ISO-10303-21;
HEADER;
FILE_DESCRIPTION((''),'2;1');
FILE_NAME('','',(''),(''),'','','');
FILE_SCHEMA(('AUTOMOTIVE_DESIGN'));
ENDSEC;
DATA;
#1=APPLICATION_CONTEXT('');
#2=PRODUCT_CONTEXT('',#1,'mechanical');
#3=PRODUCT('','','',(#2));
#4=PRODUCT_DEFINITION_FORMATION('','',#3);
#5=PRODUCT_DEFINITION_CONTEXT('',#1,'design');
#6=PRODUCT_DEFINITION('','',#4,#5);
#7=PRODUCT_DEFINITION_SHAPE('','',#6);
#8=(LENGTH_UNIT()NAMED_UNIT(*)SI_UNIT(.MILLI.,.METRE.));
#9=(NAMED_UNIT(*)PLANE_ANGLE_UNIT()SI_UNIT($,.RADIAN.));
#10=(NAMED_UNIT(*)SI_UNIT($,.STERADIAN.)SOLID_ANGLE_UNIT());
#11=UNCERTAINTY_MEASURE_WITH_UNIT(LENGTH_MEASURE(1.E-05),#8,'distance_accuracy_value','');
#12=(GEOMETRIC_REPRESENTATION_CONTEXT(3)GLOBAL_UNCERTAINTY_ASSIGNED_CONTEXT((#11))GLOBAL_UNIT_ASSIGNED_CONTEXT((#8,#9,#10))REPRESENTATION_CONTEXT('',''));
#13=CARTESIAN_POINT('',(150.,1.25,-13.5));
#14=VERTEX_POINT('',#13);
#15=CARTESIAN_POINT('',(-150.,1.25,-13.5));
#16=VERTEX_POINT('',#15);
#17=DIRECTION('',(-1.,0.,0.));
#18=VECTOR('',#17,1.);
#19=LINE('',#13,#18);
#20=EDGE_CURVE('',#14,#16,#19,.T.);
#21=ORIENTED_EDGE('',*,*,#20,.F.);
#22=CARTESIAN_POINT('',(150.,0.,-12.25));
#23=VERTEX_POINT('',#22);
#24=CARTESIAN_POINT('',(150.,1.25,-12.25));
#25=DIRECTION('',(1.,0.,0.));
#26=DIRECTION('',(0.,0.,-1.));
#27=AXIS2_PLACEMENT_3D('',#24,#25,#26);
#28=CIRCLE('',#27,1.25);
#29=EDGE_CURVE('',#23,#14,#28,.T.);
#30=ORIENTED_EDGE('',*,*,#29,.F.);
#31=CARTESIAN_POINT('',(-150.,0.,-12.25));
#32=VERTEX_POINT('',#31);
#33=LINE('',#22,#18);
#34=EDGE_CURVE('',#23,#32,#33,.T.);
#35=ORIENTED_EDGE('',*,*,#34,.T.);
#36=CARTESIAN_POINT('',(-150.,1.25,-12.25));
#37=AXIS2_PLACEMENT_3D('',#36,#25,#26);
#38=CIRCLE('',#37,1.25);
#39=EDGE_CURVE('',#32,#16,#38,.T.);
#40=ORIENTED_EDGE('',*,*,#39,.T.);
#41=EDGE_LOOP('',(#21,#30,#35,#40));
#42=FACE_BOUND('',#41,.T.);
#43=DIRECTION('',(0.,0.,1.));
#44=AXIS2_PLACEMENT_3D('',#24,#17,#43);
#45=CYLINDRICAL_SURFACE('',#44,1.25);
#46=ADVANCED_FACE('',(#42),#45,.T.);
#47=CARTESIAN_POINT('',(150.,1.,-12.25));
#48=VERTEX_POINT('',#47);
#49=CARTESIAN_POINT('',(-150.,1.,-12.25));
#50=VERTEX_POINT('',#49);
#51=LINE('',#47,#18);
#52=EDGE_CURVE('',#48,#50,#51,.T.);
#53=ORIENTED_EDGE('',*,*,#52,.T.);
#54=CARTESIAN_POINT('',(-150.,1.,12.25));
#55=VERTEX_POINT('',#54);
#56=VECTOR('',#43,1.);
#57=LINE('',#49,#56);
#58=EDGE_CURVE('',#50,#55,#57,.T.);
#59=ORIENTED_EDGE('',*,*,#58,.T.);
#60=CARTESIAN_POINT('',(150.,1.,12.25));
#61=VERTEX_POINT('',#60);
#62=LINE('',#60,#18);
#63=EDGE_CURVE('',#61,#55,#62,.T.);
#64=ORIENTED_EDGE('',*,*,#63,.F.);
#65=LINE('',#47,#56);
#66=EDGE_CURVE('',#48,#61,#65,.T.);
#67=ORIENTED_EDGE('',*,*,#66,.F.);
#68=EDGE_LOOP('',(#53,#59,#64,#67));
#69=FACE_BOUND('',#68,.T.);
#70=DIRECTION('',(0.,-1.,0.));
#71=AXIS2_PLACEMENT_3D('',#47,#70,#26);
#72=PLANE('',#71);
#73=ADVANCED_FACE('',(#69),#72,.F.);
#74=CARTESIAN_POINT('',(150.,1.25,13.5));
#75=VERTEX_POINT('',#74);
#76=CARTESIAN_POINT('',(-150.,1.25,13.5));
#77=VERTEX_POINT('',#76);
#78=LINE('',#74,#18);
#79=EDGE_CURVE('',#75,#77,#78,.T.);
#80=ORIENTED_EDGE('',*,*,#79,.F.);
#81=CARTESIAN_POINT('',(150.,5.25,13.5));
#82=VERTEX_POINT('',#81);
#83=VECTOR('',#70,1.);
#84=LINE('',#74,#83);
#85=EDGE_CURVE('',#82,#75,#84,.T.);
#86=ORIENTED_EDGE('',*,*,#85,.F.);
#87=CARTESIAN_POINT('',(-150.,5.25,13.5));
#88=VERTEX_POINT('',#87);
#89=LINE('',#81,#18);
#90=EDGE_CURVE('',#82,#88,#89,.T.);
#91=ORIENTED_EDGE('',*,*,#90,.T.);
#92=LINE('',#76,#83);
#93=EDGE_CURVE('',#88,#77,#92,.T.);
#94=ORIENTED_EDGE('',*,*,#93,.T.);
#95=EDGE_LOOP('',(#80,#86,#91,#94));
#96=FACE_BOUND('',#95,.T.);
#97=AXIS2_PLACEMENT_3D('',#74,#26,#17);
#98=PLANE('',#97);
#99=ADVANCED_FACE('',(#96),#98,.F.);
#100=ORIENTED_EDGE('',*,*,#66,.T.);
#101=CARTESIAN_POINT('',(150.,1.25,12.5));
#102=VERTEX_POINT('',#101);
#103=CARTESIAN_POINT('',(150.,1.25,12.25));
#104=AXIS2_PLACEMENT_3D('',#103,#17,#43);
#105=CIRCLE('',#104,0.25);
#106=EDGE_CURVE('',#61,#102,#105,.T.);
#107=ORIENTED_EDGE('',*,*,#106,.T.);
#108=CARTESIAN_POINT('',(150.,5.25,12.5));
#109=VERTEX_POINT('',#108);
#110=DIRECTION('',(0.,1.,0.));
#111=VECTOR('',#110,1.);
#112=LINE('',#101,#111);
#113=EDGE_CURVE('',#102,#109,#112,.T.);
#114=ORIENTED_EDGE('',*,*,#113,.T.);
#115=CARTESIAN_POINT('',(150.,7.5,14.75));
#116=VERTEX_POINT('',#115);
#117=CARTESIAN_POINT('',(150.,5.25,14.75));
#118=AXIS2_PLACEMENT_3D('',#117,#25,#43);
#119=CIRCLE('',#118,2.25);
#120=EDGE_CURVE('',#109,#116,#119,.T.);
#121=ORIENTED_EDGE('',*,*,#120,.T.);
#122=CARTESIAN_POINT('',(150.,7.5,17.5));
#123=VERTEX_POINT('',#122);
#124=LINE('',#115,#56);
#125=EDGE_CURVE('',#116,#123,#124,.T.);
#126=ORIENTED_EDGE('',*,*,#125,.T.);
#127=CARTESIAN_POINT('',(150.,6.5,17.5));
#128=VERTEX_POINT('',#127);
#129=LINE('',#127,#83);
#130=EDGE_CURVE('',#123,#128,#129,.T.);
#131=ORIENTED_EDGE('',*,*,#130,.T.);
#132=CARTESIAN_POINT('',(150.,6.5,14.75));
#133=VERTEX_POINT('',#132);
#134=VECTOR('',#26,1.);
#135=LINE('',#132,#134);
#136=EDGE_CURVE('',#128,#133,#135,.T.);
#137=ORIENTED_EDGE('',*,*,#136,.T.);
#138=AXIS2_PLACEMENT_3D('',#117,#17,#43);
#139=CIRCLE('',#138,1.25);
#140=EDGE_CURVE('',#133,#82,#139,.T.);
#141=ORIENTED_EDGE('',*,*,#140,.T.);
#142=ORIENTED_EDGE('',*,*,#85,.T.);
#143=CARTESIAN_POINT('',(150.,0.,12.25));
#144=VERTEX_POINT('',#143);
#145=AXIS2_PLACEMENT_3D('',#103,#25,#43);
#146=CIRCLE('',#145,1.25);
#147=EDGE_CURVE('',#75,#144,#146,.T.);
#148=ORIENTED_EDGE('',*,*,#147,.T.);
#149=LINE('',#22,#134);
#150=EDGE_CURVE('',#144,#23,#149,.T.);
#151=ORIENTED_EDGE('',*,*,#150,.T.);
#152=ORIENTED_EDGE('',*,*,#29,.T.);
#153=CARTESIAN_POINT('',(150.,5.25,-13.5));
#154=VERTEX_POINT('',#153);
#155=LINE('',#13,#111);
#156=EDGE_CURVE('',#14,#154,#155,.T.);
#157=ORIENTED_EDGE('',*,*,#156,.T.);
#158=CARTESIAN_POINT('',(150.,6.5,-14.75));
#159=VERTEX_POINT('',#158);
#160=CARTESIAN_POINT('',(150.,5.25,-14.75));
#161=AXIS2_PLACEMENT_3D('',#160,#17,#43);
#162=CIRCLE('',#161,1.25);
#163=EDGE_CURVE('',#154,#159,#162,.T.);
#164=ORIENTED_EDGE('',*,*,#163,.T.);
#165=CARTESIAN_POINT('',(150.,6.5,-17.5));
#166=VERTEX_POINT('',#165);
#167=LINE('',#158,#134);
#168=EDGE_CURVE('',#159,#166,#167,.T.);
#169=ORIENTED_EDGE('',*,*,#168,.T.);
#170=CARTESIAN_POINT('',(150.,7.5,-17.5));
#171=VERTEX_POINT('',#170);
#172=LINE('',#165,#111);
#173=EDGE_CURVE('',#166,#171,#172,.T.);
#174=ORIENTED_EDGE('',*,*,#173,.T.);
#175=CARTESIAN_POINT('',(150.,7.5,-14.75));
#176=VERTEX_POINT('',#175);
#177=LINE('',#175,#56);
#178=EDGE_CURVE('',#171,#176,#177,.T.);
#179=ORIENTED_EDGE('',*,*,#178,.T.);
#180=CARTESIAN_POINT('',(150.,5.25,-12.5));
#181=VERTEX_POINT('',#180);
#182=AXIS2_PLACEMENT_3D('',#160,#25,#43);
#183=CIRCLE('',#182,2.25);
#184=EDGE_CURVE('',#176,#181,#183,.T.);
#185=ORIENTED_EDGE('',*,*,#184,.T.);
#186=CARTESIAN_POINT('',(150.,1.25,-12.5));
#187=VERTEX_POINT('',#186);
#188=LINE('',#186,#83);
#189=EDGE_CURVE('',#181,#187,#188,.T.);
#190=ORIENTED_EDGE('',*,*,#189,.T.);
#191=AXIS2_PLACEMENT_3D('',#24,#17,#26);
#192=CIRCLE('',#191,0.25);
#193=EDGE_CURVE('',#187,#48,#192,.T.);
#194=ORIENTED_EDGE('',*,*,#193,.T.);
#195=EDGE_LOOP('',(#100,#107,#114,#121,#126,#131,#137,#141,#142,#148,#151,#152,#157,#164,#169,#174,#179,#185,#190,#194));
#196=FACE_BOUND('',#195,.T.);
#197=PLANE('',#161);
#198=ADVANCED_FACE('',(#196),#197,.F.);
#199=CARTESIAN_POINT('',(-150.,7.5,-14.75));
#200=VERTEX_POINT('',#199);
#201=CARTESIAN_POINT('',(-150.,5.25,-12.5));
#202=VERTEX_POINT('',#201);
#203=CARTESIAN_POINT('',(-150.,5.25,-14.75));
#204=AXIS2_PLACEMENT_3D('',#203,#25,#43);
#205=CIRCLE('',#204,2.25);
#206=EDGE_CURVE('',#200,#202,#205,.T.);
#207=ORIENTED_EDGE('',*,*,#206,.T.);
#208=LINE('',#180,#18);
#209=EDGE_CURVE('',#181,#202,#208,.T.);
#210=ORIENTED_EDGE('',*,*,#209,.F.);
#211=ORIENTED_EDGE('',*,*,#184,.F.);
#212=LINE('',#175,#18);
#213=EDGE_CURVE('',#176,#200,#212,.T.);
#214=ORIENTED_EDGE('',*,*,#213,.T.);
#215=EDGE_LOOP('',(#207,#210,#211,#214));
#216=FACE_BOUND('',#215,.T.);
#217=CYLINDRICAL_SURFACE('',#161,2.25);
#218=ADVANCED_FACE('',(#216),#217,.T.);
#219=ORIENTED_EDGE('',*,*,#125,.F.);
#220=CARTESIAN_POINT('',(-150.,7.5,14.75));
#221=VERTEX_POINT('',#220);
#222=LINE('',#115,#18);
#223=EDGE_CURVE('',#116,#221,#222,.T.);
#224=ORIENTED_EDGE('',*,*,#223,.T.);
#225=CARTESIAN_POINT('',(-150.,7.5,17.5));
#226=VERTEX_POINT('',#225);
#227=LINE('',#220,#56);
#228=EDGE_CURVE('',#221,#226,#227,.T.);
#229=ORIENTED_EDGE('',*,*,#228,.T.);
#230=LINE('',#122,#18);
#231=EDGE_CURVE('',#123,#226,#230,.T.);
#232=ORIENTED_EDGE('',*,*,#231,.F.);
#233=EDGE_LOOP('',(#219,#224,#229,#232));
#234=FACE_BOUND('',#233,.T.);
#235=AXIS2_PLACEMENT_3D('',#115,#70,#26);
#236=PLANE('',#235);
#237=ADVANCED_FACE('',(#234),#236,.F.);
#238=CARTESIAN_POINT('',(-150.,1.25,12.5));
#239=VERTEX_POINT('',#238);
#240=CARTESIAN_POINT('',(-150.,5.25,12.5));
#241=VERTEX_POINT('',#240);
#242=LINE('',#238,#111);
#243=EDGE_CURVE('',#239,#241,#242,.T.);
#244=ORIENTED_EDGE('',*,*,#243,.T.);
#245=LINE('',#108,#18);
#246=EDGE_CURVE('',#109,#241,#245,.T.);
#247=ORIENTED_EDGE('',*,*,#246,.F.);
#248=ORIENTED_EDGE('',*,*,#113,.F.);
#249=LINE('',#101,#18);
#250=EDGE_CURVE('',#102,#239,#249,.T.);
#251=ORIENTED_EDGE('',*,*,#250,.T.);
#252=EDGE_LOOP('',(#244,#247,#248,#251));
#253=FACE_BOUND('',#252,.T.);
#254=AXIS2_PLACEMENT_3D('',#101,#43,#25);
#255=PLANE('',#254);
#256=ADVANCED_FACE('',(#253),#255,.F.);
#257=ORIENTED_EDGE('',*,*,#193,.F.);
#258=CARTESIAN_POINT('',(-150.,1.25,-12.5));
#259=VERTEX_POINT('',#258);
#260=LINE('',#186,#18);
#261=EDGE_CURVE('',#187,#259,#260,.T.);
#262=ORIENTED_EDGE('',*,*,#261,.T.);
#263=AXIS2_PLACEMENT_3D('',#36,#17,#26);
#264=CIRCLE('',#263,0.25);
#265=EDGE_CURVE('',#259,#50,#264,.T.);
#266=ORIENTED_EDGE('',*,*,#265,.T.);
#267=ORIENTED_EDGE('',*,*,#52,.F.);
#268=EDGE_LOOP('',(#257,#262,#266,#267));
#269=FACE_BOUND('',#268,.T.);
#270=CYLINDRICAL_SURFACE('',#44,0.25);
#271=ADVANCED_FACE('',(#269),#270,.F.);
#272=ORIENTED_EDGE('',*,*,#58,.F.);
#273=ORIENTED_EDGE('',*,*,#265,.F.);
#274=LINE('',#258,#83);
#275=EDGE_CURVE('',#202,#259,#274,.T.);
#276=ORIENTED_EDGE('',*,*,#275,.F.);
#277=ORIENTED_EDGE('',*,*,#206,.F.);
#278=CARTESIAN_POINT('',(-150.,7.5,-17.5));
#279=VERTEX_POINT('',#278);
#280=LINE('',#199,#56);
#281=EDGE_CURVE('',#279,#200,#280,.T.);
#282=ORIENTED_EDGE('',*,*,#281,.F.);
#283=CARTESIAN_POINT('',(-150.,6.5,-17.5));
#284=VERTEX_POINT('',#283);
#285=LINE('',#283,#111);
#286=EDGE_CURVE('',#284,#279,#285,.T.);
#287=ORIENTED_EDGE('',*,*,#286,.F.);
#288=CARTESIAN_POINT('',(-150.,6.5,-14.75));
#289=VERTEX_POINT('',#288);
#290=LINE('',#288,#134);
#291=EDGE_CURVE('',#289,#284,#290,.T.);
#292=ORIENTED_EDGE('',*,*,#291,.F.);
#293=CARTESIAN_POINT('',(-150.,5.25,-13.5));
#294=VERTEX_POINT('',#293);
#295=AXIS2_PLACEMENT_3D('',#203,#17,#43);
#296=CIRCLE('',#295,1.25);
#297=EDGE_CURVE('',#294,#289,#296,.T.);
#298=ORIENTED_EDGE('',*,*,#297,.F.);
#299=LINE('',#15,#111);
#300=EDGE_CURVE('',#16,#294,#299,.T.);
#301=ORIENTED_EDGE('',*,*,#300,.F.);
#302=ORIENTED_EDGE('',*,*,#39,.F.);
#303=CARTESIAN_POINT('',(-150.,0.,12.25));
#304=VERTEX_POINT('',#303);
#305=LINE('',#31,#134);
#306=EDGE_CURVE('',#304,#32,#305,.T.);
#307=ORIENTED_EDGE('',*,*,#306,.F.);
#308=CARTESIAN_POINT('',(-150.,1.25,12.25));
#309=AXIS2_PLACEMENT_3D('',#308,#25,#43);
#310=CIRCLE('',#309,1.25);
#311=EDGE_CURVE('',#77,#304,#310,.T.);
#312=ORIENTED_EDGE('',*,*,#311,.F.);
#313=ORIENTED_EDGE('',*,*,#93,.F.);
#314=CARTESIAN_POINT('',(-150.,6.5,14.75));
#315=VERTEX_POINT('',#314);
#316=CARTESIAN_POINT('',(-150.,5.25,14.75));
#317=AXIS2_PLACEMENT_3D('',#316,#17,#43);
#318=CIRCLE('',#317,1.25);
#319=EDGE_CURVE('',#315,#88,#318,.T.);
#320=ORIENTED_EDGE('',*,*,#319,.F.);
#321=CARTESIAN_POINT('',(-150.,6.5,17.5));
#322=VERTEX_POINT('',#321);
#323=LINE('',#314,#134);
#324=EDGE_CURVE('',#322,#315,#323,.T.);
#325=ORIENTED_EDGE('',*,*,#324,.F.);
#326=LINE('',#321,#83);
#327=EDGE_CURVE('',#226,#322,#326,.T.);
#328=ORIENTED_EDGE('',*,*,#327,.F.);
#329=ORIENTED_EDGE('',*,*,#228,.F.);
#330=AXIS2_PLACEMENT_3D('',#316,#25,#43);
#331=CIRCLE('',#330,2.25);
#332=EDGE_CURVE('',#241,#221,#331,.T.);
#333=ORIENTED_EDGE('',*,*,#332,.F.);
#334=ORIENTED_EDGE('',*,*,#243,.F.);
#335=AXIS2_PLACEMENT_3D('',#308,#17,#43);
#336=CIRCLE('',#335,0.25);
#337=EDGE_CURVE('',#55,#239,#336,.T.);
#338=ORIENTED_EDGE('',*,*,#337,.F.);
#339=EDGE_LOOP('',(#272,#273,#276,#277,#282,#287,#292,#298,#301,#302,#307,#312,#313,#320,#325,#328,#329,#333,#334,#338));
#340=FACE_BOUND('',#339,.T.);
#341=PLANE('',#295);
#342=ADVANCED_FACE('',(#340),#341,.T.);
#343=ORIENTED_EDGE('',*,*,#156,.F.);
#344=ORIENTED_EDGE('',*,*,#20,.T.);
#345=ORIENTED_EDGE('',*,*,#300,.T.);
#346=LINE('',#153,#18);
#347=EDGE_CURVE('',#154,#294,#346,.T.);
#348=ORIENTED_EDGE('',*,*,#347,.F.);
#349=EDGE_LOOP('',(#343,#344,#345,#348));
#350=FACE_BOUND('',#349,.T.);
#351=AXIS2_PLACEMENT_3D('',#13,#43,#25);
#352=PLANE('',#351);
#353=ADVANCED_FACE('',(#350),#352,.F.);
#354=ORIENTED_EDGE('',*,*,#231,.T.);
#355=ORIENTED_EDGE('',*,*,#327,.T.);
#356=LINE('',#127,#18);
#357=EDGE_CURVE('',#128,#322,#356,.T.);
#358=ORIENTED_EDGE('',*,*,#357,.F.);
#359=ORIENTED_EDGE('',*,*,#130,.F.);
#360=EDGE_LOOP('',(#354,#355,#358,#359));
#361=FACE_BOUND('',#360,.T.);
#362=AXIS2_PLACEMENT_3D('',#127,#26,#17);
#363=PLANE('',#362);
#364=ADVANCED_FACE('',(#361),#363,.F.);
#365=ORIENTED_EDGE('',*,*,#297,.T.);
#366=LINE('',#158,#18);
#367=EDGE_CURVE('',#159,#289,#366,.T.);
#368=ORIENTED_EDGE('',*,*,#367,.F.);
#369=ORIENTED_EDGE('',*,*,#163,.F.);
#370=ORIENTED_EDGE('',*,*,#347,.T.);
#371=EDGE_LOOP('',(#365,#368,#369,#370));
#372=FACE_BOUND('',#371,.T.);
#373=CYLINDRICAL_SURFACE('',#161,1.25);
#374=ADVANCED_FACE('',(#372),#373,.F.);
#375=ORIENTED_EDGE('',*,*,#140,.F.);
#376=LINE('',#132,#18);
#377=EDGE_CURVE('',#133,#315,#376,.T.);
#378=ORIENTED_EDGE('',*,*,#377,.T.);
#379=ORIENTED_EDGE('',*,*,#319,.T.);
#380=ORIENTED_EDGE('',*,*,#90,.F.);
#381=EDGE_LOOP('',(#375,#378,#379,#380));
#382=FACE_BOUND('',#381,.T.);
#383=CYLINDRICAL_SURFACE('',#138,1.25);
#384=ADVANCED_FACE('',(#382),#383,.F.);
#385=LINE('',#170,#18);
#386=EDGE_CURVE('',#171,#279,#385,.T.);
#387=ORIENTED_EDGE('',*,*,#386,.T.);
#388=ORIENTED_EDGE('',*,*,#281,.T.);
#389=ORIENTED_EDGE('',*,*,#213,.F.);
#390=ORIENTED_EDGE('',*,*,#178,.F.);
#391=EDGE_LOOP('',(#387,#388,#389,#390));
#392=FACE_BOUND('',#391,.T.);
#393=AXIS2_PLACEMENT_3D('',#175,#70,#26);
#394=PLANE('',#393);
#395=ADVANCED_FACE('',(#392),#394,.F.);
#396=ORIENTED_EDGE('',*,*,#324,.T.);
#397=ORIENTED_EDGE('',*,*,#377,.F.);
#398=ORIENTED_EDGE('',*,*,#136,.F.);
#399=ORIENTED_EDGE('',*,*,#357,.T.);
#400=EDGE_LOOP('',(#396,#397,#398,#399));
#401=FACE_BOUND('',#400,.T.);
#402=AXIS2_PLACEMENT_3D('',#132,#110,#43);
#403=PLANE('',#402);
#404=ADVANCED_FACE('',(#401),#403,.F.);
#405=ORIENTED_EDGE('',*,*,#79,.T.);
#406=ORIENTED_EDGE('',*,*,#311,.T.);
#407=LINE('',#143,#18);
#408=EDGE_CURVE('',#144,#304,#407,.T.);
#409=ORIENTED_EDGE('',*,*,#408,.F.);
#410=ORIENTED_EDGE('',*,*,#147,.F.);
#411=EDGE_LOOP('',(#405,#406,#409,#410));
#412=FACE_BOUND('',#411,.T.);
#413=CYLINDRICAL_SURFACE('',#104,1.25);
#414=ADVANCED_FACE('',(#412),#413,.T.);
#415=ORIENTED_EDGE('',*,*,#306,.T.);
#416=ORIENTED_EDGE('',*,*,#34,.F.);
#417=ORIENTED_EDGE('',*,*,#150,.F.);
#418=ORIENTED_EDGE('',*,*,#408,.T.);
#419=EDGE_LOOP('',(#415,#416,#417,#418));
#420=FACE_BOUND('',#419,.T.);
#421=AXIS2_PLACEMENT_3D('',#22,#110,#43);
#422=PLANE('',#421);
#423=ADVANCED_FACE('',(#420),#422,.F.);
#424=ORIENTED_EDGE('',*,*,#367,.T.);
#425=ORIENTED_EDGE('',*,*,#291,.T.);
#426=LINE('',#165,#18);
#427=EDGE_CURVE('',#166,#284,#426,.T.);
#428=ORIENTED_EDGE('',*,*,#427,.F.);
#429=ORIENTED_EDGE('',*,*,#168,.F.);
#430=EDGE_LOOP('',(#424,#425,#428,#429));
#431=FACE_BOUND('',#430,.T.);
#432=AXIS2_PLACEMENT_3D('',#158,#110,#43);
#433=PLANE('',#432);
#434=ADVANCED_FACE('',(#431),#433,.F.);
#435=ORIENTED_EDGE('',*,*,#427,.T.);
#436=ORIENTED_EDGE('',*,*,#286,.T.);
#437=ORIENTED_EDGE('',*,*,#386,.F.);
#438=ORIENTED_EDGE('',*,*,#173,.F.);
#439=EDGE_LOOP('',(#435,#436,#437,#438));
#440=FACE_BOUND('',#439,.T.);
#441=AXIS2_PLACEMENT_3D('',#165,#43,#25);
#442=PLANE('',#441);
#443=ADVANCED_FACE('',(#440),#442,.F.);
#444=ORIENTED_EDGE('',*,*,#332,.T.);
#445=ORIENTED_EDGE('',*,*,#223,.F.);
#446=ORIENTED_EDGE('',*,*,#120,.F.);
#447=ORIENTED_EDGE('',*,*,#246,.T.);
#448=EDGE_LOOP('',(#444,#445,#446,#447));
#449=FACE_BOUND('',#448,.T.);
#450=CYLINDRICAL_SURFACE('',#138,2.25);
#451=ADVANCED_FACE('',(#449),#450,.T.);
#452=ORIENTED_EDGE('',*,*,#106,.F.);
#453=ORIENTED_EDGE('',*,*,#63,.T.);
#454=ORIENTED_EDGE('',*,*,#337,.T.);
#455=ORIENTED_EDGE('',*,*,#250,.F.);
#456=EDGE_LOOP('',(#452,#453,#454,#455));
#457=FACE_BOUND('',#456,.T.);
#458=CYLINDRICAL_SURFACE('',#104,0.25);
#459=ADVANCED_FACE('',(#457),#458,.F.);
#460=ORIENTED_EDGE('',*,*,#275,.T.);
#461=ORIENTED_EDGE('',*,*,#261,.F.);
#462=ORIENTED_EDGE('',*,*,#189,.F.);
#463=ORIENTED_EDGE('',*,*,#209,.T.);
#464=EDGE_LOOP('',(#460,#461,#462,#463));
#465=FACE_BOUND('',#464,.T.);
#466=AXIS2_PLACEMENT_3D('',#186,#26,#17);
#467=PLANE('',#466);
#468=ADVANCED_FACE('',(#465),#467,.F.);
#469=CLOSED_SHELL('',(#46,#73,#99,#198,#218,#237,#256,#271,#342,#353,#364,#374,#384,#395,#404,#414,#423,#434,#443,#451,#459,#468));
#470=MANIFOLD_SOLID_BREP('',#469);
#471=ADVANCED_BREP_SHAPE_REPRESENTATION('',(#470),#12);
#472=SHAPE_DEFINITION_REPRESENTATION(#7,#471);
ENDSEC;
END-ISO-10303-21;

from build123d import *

# Parameters (mm, degrees)
OMEGA_TS_35_1_DEPTH = 300


with BuildPart() as part:
    # Sketch2 → Omega TS-35(1) (new body)
    with BuildSketch(Plane(origin=(-150, 0, 0), x_dir=(0, 0, -1), z_dir=(1, 0, 0))):
        with BuildLine():
            Line((12.25, 0), (-12.25, 0))
            ThreePointArc((-12.25, 0), (-13.133883476, 0.366116524), (-13.5, 1.25))
            Line((-13.5, 1.25), (-13.5, 5.25))
            ThreePointArc((-13.5, 5.25), (-13.866116524, 6.133883476), (-14.75, 6.5))
            Line((-14.75, 6.5), (-17.5, 6.5))
            Line((-17.5, 6.5), (-17.5, 7.5))
            Line((-17.5, 7.5), (-14.75, 7.5))
            ThreePointArc((-14.75, 7.5), (-13.159009742, 6.840990258), (-12.5, 5.25))
            Line((-12.5, 5.25), (-12.5, 1.25))
            ThreePointArc((-12.5, 1.25), (-12.426776695, 1.073223305), (-12.25, 1))
            Line((-12.25, 1), (12.25, 1))
            ThreePointArc((12.25, 1), (12.426776695, 1.073223305), (12.5, 1.25))
            Line((12.5, 1.25), (12.5, 5.25))
            ThreePointArc((12.5, 5.25), (13.159009742, 6.840990258), (14.75, 7.5))
            Line((14.75, 7.5), (17.5, 7.5))
            Line((17.5, 7.5), (17.5, 6.5))
            Line((17.5, 6.5), (14.75, 6.5))
            ThreePointArc((14.75, 6.5), (13.866116524, 6.133883476), (13.5, 5.25))
            Line((13.5, 5.25), (13.5, 1.25))
            ThreePointArc((13.5, 1.25), (13.133883476, 0.366116524), (12.25, 0))
        make_face()
    extrude(amount=OMEGA_TS_35_1_DEPTH)


solid = part.part
